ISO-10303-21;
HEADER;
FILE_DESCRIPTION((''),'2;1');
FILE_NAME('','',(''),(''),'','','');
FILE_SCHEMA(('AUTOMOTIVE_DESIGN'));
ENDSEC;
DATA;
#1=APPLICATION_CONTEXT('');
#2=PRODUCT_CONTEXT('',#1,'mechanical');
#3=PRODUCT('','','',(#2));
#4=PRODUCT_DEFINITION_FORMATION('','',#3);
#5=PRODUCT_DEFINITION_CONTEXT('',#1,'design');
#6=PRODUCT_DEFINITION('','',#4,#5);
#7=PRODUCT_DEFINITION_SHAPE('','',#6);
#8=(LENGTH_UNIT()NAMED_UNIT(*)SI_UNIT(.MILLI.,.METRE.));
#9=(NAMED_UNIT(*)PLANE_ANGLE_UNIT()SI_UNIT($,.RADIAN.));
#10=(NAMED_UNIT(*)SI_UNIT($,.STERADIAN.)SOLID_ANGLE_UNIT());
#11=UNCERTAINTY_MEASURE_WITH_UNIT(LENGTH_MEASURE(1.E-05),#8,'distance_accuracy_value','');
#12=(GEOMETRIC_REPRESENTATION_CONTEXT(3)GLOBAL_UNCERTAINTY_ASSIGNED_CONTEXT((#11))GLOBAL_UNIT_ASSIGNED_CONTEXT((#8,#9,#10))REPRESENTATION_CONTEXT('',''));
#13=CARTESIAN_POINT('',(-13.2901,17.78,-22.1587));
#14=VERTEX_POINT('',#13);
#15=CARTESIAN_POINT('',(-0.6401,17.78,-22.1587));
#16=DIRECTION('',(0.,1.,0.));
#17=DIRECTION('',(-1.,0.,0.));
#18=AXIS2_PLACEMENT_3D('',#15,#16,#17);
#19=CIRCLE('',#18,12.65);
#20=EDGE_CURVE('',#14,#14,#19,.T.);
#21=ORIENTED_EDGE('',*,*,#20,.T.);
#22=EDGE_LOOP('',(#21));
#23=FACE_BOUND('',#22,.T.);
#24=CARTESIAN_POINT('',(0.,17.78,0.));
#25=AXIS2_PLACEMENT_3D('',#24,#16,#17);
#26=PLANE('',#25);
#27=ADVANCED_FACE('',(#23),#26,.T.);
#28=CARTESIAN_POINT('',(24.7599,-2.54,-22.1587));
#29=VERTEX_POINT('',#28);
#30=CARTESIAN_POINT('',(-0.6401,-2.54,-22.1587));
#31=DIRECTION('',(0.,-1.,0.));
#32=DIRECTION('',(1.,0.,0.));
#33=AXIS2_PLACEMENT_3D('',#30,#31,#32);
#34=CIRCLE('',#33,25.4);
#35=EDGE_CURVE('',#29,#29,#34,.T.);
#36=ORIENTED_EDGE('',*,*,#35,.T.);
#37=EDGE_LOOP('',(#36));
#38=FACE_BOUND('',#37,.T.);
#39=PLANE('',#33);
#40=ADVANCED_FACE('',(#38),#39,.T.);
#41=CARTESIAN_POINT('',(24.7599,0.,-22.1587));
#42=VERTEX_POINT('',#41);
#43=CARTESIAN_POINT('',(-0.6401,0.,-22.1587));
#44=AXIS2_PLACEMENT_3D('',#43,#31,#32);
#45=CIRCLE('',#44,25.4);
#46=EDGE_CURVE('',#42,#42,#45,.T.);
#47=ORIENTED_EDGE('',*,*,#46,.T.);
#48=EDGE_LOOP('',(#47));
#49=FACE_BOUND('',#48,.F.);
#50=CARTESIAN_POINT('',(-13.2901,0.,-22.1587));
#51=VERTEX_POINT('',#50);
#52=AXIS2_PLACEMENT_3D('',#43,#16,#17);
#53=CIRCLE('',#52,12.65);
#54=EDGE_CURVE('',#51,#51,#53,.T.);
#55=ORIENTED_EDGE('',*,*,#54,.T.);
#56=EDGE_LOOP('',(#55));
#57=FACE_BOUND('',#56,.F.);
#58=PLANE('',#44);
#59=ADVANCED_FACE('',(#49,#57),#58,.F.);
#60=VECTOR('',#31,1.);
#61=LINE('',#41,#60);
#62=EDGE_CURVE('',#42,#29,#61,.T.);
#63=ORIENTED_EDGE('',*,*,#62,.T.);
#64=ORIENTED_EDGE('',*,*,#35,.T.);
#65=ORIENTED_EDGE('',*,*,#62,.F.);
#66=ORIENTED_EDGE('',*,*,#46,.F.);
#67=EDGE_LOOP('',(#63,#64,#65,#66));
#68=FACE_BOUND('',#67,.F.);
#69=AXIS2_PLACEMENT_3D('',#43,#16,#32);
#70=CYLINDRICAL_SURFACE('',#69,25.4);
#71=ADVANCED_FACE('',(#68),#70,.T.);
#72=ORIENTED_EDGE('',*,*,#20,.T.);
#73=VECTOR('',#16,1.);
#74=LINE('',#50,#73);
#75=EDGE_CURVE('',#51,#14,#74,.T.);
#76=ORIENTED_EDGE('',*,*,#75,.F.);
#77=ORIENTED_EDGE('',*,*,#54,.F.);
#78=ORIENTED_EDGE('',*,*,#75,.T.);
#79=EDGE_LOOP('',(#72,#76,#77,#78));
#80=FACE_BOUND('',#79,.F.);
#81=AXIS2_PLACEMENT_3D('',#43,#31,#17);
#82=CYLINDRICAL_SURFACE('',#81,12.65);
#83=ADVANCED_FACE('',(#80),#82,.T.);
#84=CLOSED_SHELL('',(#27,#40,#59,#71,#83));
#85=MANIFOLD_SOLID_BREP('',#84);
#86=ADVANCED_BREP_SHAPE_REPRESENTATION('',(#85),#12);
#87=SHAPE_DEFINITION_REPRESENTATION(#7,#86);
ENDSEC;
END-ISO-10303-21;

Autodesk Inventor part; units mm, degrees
ref_plane "YZ Plane" through (0, 0, 0) normal (1, 0, 0) x (0, 1, 0)
ref_plane "XZ Plane" through (0, 0, 0) normal (0, 1, 0) x (-1, 0, 0)
ref_plane "XY Plane" through (0, 0, 0) normal (0, 0, 1) x (1, 0, 0)
sketch "Sketch1" plane through (0, 0, 0) normal (0, 1, 0) x (-1, 0, 0)
  line L0 (-12.3843, -4.2113) -> (-12.8886, -4.5987)
  line L1 (-12.8886, -4.5987) -> (-13.9876, -5.4968)
  line L2 (-13.9876, -5.4968) -> (-14.4681, -5.9314)
  line L3 (-14.4681, -5.9314) -> (-15.4677, -6.9308)
  line L4 (-15.4677, -6.9308) -> (-15.9089, -7.3994)
  line L5 (-15.9089, -7.3994) -> (-16.7645, -8.4419)
  line L6 (-16.7645, -8.4419) -> (-17.1543, -8.9265)
  line L7 (-17.1543, -8.9265) -> (-17.5075, -9.4417)
  line L8 (-17.5075, -9.4417) -> (-18.2559, -10.5566)
  line L9 (-18.2559, -10.5566) -> (-18.5835, -11.1249)
  line L10 (-18.5835, -11.1249) -> (-19.2428, -12.3521)
  line L11 (-19.2428, -12.3521) -> (-19.53, -12.9576)
  line L12 (-19.53, -12.9576) -> (-20.0599, -14.2366)
  line L13 (-20.0599, -14.2366) -> (-20.2967, -14.8606)
  line L14 (-20.2967, -14.8606) -> (-20.6795, -16.1223)
  line L15 (-20.6795, -16.1223) -> (-20.8609, -16.7425)
  line L16 (-20.8609, -16.7425) -> (-20.9954, -17.3785)
  line L17 (-20.9954, -17.3785) -> (-21.2538, -18.6633)
  line L18 (-21.2538, -18.6633) -> (-21.3426, -19.3412)
  line L19 (-21.3426, -19.3412) -> (-21.4785, -20.692)
  line L20 (-21.4785, -20.692) -> (-21.5136, -21.3905)
  line L21 (-21.5136, -21.3905) -> (-21.5137, -22.738)
  line L22 (-21.5137, -22.738) -> (-21.4928, -23.4347)
  line L23 (-21.4928, -23.4347) -> (-21.3671, -24.7106)
  line L24 (-21.3671, -24.7106) -> (-21.2943, -25.3819)
  line L25 (-21.2943, -25.3819) -> (-21.1697, -26.05)
  line L26 (-21.1697, -26.05) -> (-20.924, -27.2994)
  line L27 (-20.924, -27.2994) -> (-20.7385, -27.9897)
  line L28 (-20.7385, -27.9897) -> (-20.3585, -29.2522)
  line L29 (-20.3585, -29.2522) -> (-20.113, -29.9406)
  line L30 (-20.113, -29.9406) -> (-19.6123, -31.1495)
  line L31 (-19.6123, -31.1495) -> (-19.3137, -31.8134)
  line L32 (-19.3137, -31.8134) -> (-18.7268, -32.9115)
  line L33 (-18.7268, -32.9115) -> (-18.3886, -33.5296)
  line L34 (-18.3886, -33.5296) -> (-18.0019, -34.1235)
  line L35 (-18.0019, -34.1235) -> (-17.3169, -35.1534)
  line L36 (-17.3169, -35.1534) -> (-16.8634, -35.7437)
  line L37 (-16.8634, -35.7437) -> (-16.0525, -36.7361)
  line L38 (-16.0525, -36.7361) -> (-15.5427, -37.2997)
  line L39 (-15.5427, -37.2997) -> (-14.6425, -38.2)
  line L40 (-14.6425, -38.2) -> (-14.0924, -38.718)
  line L41 (-14.0924, -38.718) -> (-13.1548, -39.4876)
  line L42 (-13.1548, -39.4876) -> (-12.5861, -39.945)
  line L43 (-12.5861, -39.945) -> (-11.9815, -40.3595)
  line L44 (-11.9815, -40.3595) -> (-10.9796, -41.032)
  line L45 (-10.9796, -41.032) -> (-10.3141, -41.4157)
  line L46 (-10.3141, -41.4157) -> (-9.2107, -42.0085)
  line L47 (-9.2107, -42.0085) -> (-8.5039, -42.3437)
  line L48 (-8.5039, -42.3437) -> (-7.352, -42.8209)
  line L49 (-7.352, -42.8209) -> (-6.6268, -43.0961)
  line L50 (-6.6268, -43.0961) -> (-5.4874, -43.4417)
  line L51 (-5.4874, -43.4417) -> (-4.7703, -43.6516)
  line L52 (-4.7703, -43.6516) -> (-4.0375, -43.8064)
  line L53 (-4.0375, -43.8064) -> (-2.8737, -44.0405)
  line L54 (-2.8737, -44.0405) -> (-2.0978, -44.1421)
  line L55 (-2.0978, -44.1421) -> (-0.8683, -44.2658)
  line L56 (-0.8683, -44.2658) -> (-0.0749, -44.3057)
  line L57 (-0.0749, -44.3057) -> (1.1588, -44.3057)
  line L58 (1.1588, -44.3057) -> (1.9436, -44.2821)
  line L59 (1.9436, -44.2821) -> (3.1195, -44.1663)
  line L60 (3.1195, -44.1663) -> (3.869, -44.0851)
  line L61 (3.869, -44.0851) -> (4.6101, -43.9468)
  line L62 (4.6101, -43.9468) -> (5.7695, -43.7187)
  line L63 (5.7695, -43.7187) -> (6.5277, -43.5151)
  line L64 (6.5277, -43.5151) -> (7.709, -43.1594)
  line L65 (7.709, -43.1594) -> (8.4572, -42.8926)
  line L66 (8.4572, -42.8926) -> (9.5989, -42.4197)
  line L67 (9.5989, -42.4197) -> (10.3125, -42.0987)
  line L68 (10.3125, -42.0987) -> (11.3595, -41.539)
  line L69 (11.3595, -41.539) -> (12.0166, -41.1795)
  line L70 (12.0166, -41.1795) -> (12.6427, -40.7719)
  line L71 (12.6427, -40.7719) -> (13.6341, -40.1124)
  line L72 (13.6341, -40.1124) -> (14.2492, -39.6398)
  line L73 (14.2492, -39.6398) -> (15.2146, -38.8508)
  line L74 (15.2146, -38.8508) -> (15.7948, -38.3261)
  line L75 (15.7948, -38.3261) -> (16.6804, -37.4404)
  line L76 (16.6804, -37.4404) -> (17.2071, -36.8811)
  line L77 (17.2071, -36.8811) -> (17.9726, -35.9484)
  line L78 (17.9726, -35.9484) -> (18.4321, -35.3772)
  line L79 (18.4321, -35.3772) -> (18.8448, -34.7753)
  line L80 (18.8448, -34.7753) -> (19.5207, -33.7681)
  line L81 (19.5207, -33.7681) -> (19.8981, -33.1135)
  line L82 (19.8981, -33.1135) -> (20.5006, -31.992)
  line L83 (20.5006, -31.992) -> (20.8262, -31.3053)
  line L84 (20.8262, -31.3053) -> (21.3166, -30.1212)
  line L85 (21.3166, -30.1212) -> (21.5808, -29.4252)
  line L86 (21.5808, -29.4252) -> (21.9398, -28.2416)
  line L87 (21.9398, -28.2416) -> (22.1389, -27.5614)
  line L88 (22.1389, -27.5614) -> (22.2845, -26.8721)
  line L89 (22.2845, -26.8721) -> (22.53, -25.6515)
  line L90 (22.53, -25.6515) -> (22.6245, -24.9296)
  line L91 (22.6245, -24.9296) -> (22.7554, -23.6277)
  line L92 (22.7554, -23.6277) -> (22.7921, -22.8978)
  line L93 (22.7921, -22.8978) -> (22.792, -21.5793)
  line L94 (22.792, -21.5793) -> (22.7706, -20.8649)
  line L95 (22.7706, -20.8649) -> (22.6458, -19.5976)
  line L96 (22.6458, -19.5976) -> (22.5725, -18.922)
  line L97 (22.5725, -18.922) -> (22.4487, -18.2583)
  line L98 (22.4487, -18.2583) -> (22.2012, -17.0003)
  line L99 (22.2012, -17.0003) -> (22.0204, -16.3271)
  line L100 (22.0204, -16.3271) -> (21.6318, -15.0368)
  line L101 (21.6318, -15.0368) -> (21.3969, -14.3781)
  line L102 (21.3969, -14.3781) -> (20.8773, -13.1238)
  line L103 (20.8773, -13.1238) -> (20.5968, -12.5003)
  line L104 (20.5968, -12.5003) -> (19.979, -11.3445)
  line L105 (19.979, -11.3445) -> (19.667, -10.7743)
  line L106 (19.667, -10.7743) -> (19.3144, -10.2327)
  line L107 (19.3144, -10.2327) -> (18.5842, -9.135)
  line L108 (18.5842, -9.135) -> (18.1776, -8.6057)
  line L109 (18.1776, -8.6057) -> (17.3015, -7.5337)
  line L110 (17.3015, -7.5337) -> (16.852, -7.0367)
  line L111 (16.852, -7.0367) -> (15.8669, -6.0517)
  line L112 (15.8669, -6.0517) -> (15.3893, -5.6019)
  line L113 (15.3893, -5.6019) -> (14.3514, -4.7501)
  line L114 (14.3514, -4.7501) -> (13.8646, -4.3586)
  line L115 (13.8646, -4.3586) -> (13.3517, -4.0069)
  line L116 (13.3517, -4.0069) -> (12.2319, -3.2553)
  line L117 (12.2319, -3.2553) -> (11.6743, -2.9339)
  line L118 (11.6743, -2.9339) -> (10.429, -2.265)
  line L119 (10.429, -2.265) -> (9.8436, -1.9874)
  line L120 (9.8436, -1.9874) -> (8.5324, -1.4443)
  line L121 (8.5324, -1.4443) -> (7.9378, -1.2186)
  line L122 (7.9378, -1.2186) -> (6.6316, -0.8224)
  line L123 (6.6316, -0.8224) -> (6.0605, -0.6553)
  arc A0 (6.0605, -0.6553) -> (6.0364, -0.6492) centre (0.6401, -22.1587) ccw
  line L124 (6.0364, -0.6492) -> (5.4558, -0.5265)
  line L125 (5.4558, -0.5265) -> (4.1145, -0.2568)
  line L126 (4.1145, -0.2568) -> (3.4905, -0.175)
  line L127 (3.4905, -0.175) -> (2.0674, -0.0319)
  line L128 (2.0674, -0.0319) -> (1.4324, 0)
  line L129 (1.4324, 0) -> (0, 0)
  line L130 (0, 0) -> (-0.6263, -0.0188)
  line L131 (-0.6263, -0.0188) -> (-1.9935, -0.1534)
  line L132 (-1.9935, -0.1534) -> (-2.5641, -0.2153)
  arc A1 (-2.5641, -0.2153) -> (-2.6174, -0.2232) centre (0.6401, -22.1587) ccw
  line L133 (-2.6174, -0.2232) -> (-3.1816, -0.3284)
  line L134 (-3.1816, -0.3284) -> (-4.5296, -0.5936)
  line L135 (-4.5296, -0.5936) -> (-5.1348, -0.7562)
  line L136 (-5.1348, -0.7562) -> (-6.5063, -1.1691)
  line L137 (-6.5063, -1.1691) -> (-7.1052, -1.3826)
  line L138 (-7.1052, -1.3826) -> (-8.4267, -1.93)
  line L139 (-8.4267, -1.93) -> (-9.0006, -2.1881)
  line L140 (-9.0006, -2.1881) -> (-10.2071, -2.833)
  line L141 (-10.2071, -2.833) -> (-10.7278, -3.1179)
  arc A2 (-10.7278, -3.1179) -> (-10.7491, -3.1307) centre (0.6401, -22.1587) ccw
  line L142 (-10.7491, -3.1307) -> (-11.2478, -3.4553)
  line L143 (-11.2478, -3.4553) -> (-12.3843, -4.2113)
  circle A3 centre (0.6401, -22.1587) radius 12.65
  circle A4 centre (-8.5804, -37.3303) radius 4.2966
  circle A5 centre (-14.9309, -30.6874) radius 4.2966
  circle A6 centre (-17.1092, -21.7593) radius 4.2966
  circle A7 centre (-14.5315, -12.9382) radius 4.2966
  circle A8 centre (0.2407, -39.9079) radius 4.2966
  circle A9 centre (9.1688, -37.7296) radius 4.2966
  circle A10 centre (15.8117, -31.3791) radius 4.2966
  circle A11 centre (1.0394, -4.4094) radius 4.2966
  circle A12 centre (-7.8887, -6.5877) radius 4.2966
  circle A13 centre (9.8605, -6.9871) radius 4.2966
  circle A14 centre (18.3893, -22.558) radius 4.2966
  circle A15 centre (16.211, -13.6299) radius 4.2966
  point P0 (0, 0)
  point P1 (0.6401, -22.1587)
  dimension "d12" = 25.3
extrude "Extrusion4" add sketch "Sketch1" along normal blind 17.78 contours A3
sketch "Sketch5" plane through (-0.6401, 0, -22.1587) normal (0, -1, 0) x (1, 0, 0)
  circle A0 centre (0, 0) radius 25.4
  point P0 (0.6401, 22.1587)
  dimension "d15" = 50.8
extrude "Extrusion5" add sketch "Sketch5" along normal blind 2.54
properties part number "just_ring"
